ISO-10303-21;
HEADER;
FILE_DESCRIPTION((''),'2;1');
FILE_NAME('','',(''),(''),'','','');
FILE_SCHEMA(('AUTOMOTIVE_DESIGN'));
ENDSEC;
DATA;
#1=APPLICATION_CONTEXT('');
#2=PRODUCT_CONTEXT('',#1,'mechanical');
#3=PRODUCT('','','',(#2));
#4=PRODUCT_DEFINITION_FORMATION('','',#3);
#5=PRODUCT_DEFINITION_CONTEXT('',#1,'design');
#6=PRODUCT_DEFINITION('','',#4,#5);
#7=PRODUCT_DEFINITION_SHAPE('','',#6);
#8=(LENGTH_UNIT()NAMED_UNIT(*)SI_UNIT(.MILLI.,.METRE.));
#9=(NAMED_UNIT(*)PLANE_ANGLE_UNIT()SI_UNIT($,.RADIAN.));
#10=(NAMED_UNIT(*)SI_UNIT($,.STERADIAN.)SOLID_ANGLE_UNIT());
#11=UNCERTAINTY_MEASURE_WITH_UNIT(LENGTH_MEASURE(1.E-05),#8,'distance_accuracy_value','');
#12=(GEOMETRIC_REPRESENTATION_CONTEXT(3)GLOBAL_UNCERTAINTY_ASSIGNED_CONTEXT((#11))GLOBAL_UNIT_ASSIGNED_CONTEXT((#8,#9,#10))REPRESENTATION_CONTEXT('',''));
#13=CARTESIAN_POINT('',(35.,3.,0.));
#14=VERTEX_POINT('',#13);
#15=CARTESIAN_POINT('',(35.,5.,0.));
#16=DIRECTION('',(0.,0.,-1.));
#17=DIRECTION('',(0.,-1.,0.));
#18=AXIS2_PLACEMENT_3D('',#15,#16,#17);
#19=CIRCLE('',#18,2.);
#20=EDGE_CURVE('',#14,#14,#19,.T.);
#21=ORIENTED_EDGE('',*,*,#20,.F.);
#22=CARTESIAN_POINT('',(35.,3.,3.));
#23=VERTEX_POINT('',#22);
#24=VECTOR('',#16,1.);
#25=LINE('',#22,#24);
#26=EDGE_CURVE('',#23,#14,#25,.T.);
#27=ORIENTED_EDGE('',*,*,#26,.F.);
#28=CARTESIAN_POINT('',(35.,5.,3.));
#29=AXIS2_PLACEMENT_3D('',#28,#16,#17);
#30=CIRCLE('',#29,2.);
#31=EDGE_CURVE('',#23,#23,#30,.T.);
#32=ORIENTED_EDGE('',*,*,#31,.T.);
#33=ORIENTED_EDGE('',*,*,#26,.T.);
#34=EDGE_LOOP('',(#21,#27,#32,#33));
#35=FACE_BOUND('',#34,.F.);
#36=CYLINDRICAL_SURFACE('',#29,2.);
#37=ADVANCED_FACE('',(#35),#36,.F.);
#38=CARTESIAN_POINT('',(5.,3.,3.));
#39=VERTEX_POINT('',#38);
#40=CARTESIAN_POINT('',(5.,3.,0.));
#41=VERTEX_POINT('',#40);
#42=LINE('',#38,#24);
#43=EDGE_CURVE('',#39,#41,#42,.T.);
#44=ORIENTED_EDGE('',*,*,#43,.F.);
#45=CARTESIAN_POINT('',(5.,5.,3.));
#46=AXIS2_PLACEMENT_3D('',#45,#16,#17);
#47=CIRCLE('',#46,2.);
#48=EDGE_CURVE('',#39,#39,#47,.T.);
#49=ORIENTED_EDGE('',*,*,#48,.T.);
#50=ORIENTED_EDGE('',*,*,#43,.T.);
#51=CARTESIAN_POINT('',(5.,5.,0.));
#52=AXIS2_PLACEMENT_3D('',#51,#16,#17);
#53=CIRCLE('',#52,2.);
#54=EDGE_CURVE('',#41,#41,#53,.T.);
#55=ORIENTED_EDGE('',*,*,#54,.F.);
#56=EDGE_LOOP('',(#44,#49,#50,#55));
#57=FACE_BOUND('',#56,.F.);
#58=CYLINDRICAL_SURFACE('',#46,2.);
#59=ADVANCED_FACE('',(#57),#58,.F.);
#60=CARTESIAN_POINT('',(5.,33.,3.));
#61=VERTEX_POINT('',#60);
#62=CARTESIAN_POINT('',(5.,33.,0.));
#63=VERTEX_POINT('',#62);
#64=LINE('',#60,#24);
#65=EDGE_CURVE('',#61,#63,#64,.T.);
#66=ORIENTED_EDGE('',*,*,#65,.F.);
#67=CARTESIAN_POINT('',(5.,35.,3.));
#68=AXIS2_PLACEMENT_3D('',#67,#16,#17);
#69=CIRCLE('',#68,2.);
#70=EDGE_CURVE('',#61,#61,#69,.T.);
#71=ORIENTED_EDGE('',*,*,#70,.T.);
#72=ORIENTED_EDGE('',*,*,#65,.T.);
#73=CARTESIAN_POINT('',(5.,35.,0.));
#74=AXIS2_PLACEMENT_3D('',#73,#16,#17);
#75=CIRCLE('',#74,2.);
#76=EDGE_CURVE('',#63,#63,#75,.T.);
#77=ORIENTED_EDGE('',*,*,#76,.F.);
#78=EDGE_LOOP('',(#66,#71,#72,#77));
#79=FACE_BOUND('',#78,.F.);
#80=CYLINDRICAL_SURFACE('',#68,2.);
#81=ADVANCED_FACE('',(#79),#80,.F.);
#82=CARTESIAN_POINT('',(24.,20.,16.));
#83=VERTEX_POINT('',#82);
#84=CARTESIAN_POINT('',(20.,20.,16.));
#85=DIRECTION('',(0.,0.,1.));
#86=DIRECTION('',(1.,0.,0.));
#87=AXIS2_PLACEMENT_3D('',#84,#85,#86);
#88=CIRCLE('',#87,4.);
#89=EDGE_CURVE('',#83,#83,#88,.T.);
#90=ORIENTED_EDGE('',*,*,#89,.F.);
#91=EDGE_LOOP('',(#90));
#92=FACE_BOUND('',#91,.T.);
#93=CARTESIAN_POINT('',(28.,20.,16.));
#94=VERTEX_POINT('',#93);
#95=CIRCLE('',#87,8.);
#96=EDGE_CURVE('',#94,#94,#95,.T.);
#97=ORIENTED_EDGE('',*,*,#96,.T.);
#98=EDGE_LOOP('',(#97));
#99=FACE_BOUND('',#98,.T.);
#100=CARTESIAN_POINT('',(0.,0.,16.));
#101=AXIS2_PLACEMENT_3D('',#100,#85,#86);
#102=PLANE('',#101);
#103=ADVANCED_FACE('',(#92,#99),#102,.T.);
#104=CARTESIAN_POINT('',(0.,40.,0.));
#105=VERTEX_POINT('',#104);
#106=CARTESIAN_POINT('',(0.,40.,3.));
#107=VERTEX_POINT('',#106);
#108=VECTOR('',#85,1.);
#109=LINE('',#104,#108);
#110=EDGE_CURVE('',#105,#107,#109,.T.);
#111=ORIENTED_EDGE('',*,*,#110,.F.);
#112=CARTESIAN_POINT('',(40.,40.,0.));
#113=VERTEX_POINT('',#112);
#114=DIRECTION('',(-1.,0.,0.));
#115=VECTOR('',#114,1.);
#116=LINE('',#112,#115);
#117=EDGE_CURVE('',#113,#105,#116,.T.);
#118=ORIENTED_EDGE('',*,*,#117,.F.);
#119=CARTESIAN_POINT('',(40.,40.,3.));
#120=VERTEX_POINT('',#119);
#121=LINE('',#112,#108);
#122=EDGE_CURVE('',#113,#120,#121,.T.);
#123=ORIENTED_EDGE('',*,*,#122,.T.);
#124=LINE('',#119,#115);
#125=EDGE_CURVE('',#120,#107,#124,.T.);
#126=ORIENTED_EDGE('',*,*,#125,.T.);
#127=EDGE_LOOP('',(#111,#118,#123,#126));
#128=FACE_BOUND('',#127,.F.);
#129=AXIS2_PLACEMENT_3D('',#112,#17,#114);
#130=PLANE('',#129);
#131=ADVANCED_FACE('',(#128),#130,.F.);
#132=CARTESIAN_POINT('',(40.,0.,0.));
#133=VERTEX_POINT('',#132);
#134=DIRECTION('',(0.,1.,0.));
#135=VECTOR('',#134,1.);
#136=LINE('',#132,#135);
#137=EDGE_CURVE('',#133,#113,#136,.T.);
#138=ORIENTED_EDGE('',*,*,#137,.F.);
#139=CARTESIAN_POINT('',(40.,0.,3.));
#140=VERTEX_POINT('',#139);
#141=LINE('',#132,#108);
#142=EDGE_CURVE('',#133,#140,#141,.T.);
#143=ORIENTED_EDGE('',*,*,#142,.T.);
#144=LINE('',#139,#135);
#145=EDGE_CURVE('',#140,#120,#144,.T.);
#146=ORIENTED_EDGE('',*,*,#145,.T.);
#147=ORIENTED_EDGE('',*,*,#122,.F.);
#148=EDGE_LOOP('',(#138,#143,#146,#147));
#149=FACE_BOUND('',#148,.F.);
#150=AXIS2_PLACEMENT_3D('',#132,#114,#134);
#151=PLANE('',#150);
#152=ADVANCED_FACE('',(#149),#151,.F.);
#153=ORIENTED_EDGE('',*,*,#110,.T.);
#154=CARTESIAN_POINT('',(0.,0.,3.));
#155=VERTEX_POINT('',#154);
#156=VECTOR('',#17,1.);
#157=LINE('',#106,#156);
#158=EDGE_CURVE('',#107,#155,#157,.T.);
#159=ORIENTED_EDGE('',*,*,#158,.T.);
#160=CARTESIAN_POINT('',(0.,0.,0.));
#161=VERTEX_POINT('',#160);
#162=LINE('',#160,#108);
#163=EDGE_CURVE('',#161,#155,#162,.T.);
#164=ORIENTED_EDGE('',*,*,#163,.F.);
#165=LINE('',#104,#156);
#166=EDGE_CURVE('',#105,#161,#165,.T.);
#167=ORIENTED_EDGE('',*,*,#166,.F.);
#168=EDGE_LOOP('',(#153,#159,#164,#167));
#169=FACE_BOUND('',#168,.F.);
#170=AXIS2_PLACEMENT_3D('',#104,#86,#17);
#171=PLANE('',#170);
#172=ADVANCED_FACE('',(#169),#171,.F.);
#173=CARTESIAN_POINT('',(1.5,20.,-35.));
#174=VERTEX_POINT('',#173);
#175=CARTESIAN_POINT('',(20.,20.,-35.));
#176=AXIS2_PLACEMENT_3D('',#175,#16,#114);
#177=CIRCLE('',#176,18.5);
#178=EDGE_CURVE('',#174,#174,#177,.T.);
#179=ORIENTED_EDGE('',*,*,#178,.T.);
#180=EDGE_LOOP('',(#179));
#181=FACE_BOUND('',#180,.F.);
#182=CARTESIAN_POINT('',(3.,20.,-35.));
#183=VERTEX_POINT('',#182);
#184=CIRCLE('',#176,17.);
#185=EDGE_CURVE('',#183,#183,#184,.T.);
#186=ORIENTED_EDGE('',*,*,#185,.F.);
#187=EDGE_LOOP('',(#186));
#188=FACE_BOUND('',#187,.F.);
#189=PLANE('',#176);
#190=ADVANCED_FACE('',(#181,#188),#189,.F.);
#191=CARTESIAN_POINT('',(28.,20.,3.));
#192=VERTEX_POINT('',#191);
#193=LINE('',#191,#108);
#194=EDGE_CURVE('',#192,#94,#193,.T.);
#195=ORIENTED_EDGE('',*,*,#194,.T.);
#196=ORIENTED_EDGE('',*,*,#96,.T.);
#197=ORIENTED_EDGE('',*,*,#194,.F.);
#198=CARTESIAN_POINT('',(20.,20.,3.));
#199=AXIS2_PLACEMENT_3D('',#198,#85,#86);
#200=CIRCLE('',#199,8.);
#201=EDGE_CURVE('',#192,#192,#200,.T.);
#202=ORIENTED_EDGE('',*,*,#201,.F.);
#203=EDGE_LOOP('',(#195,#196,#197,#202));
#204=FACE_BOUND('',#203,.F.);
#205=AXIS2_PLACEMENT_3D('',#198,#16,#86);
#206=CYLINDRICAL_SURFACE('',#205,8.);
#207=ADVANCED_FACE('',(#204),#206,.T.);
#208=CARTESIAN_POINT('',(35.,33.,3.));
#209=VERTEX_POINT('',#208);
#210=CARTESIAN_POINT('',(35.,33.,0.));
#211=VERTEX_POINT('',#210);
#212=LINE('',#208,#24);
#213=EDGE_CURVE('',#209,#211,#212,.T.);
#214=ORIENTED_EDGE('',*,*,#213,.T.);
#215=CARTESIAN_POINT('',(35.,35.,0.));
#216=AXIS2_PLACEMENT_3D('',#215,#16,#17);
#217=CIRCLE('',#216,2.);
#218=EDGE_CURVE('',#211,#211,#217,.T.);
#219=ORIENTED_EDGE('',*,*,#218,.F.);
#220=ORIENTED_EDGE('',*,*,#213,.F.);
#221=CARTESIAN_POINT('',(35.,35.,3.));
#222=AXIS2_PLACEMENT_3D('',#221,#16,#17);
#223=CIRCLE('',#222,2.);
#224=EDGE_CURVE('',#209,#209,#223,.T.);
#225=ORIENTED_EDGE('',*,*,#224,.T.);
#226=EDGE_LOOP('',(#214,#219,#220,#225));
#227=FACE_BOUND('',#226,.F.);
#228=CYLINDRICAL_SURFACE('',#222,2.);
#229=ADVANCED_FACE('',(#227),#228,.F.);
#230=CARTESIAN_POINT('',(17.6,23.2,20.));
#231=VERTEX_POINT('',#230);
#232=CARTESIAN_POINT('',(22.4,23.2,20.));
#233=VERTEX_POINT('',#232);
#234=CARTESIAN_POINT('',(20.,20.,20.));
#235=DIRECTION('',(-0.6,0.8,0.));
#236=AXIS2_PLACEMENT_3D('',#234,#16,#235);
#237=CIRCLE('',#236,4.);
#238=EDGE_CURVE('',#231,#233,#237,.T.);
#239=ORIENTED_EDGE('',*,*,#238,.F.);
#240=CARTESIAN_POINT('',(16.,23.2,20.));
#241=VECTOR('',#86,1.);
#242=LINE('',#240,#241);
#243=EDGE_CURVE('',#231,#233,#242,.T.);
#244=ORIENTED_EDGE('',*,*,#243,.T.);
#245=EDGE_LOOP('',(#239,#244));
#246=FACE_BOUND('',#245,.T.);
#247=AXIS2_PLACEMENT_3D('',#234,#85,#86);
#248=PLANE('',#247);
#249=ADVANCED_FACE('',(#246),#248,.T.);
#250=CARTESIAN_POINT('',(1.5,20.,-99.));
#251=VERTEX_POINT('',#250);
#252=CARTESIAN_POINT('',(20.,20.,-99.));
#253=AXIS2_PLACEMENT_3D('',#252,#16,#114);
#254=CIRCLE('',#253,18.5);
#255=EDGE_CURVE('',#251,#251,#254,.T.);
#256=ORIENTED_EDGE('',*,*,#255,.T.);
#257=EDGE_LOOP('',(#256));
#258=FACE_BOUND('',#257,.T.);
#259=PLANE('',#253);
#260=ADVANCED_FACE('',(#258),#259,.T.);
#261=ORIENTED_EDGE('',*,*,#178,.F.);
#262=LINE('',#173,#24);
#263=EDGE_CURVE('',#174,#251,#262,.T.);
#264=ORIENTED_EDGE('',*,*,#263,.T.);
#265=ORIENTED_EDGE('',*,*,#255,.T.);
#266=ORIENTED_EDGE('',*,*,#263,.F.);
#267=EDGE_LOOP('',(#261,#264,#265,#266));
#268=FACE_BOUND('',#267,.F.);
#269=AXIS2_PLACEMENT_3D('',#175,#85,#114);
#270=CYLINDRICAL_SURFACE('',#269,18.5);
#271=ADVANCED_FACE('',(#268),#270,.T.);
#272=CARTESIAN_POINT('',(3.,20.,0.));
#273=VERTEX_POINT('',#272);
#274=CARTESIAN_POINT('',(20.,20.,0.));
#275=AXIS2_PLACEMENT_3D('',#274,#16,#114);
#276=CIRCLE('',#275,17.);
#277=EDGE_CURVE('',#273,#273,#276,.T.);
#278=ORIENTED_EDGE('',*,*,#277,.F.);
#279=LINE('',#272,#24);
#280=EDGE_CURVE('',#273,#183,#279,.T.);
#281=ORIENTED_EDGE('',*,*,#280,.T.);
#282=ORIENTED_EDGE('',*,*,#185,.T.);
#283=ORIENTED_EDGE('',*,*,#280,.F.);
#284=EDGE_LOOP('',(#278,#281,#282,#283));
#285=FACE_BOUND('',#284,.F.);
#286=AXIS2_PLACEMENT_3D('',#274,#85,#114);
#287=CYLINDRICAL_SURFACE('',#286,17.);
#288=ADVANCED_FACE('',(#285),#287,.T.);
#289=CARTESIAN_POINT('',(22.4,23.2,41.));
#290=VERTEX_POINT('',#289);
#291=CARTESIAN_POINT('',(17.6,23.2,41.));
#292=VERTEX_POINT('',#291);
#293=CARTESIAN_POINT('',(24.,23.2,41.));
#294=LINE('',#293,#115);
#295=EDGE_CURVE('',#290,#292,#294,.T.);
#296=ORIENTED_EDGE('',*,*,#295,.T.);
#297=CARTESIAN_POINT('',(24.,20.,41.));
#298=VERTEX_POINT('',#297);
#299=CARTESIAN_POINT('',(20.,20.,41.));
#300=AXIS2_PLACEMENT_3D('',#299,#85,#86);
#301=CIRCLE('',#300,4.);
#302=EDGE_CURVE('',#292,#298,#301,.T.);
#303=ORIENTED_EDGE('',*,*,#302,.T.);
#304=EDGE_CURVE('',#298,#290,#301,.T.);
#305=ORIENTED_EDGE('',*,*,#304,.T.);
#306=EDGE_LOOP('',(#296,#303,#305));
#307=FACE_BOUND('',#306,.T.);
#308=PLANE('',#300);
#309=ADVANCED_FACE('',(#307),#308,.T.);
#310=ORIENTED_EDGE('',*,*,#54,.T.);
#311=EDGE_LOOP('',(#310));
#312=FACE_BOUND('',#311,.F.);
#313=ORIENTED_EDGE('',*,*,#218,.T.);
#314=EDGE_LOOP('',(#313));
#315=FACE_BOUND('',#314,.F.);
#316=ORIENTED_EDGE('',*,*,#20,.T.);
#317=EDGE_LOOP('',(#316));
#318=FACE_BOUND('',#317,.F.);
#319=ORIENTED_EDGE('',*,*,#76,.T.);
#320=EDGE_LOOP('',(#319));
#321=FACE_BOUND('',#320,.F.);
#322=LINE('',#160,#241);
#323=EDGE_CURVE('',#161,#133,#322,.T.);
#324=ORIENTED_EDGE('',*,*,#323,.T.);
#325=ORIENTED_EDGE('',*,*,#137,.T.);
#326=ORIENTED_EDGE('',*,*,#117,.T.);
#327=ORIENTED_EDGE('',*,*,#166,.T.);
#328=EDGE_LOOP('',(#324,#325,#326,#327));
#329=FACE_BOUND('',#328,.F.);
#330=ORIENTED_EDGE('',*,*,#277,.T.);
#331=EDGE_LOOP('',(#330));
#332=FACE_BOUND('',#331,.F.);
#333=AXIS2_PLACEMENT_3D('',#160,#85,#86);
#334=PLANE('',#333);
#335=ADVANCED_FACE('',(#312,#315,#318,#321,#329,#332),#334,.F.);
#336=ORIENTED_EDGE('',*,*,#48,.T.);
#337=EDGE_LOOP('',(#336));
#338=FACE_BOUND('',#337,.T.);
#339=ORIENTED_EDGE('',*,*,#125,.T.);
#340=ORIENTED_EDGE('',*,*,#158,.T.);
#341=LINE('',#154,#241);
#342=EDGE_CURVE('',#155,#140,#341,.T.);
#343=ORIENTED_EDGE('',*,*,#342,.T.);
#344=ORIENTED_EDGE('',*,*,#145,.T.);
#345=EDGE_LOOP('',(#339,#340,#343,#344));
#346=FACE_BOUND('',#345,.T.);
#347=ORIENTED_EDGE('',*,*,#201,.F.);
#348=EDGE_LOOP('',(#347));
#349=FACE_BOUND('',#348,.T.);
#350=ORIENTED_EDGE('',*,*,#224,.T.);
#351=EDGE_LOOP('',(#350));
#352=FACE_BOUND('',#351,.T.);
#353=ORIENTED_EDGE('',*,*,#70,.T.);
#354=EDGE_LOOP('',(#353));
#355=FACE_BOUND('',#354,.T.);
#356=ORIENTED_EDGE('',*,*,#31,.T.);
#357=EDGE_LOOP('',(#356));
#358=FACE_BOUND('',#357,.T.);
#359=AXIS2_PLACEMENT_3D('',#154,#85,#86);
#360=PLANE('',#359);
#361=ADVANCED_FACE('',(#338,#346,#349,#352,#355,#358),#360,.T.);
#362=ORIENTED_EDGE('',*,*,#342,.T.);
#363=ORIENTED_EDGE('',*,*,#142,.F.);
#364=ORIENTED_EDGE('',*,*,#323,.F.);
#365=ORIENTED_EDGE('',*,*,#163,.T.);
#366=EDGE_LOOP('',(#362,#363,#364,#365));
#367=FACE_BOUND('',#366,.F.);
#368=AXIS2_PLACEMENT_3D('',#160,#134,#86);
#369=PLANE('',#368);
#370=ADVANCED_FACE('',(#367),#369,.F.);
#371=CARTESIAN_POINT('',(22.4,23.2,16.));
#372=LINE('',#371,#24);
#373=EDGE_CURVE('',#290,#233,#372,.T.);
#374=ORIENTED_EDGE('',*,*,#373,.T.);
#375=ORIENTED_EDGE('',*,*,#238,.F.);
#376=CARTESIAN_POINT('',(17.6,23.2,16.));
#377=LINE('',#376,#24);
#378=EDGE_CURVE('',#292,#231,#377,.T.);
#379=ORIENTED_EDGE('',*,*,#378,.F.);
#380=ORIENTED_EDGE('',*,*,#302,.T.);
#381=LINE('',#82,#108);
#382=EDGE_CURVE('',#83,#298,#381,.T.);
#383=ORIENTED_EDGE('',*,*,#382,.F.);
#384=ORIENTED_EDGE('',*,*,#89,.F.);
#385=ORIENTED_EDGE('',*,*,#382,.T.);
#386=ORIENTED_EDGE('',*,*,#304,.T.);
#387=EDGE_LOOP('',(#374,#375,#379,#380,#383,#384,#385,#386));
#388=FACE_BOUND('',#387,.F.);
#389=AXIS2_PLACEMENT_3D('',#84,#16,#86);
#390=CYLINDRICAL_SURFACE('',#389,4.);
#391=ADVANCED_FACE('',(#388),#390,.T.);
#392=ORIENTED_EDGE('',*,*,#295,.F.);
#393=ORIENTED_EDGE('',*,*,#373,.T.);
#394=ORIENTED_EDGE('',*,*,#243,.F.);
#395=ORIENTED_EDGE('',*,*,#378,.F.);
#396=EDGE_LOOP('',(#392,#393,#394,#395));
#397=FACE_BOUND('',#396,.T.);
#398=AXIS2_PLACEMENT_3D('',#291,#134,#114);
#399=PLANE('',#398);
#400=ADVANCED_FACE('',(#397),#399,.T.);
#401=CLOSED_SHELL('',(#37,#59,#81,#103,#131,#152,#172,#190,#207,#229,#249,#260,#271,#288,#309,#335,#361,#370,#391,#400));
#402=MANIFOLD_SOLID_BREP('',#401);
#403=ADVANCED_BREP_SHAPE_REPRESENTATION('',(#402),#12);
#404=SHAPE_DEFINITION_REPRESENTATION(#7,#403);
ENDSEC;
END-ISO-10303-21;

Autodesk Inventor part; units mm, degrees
ref_plane "YZ Plane" through (0, 0, 0) normal (1, 0, 0) x (0, 1, 0)
ref_plane "XZ Plane" through (0, 0, 0) normal (0, 1, 0) x (-1, 0, 0)
ref_plane "XY Plane" through (0, 0, 0) normal (0, 0, 1) x (1, 0, 0)
sketch "Sketch1" plane through (0, 0, 0) normal (0, 0, 1) x (1, 0, 0)
  line L0 (0, 0) -> (40, 0)
  line L1 (40, 0) -> (40, 40)
  line L2 (40, 40) -> (0, 40)
  line L3 (0, 40) -> (0, 0)
  dimension "d0" = 40
  dimension "d1" = 40
extrude "Extrusion1" add sketch "Sketch1" along normal blind 3
sketch "Sketch2" plane through (0, 0, 3) normal (0, 0, 1) x (1, 0, 0)
  line L0 (40, 0) -> (0, 0) projected
  line L1 (40, 40) -> (40, 0) projected
  line L2 (35, 5) -> (5, 5)
  line L3 (5, 5) -> (5, 35)
  line L4 (5, 35) -> (35, 35)
  line L5 (35, 35) -> (35, 5)
  circle A0 centre (20, 20) radius 8
  dimension "d4" = 30
  dimension "d5" = 30
  dimension "d6" = 5
  dimension "d7" = 5
  dimension "d8" = 16
extrude "Extrusion2" add sketch "Sketch2" along normal blind 13 contours A0
sketch "Sketch3" plane through (0, 0, 3) normal (0, 0, 1) x (1, 0, 0)
  line L0 (40, 0) -> (0, 0) projected
  line L1 (40, 40) -> (40, 0) projected
  line L2 (5, 5) -> (35, 5)
  line L3 (35, 5) -> (35, 35)
  line L4 (35, 35) -> (5, 35)
  line L5 (5, 35) -> (5, 5)
  dimension "d11" = 30
  dimension "d12" = 30
  dimension "d13" = 5
  dimension "d14" = 5
hole "Hole1" at (5, 5, 3) at (35, 5, 3) at (35, 35, 3) at (5, 35, 3) direction (0, 0, -1) diameter 4 end through all
sketch "Sketch4" plane through (20, 20, 16) normal (0, 0, 1) x (1, 0, 0)
  circle A0 centre (0, 0) radius 8 projected
  circle A1 centre (0, 0) radius 4
  point P0 (-20, -20)
  dimension "d22" = 8
extrude "Extrusion3" add sketch "Sketch4" along normal blind 25 contours A1
sketch "Sketch5" plane through (20, 20, 41) normal (0, 0, 1) x (1, 0, 0)
  circle A0 centre (0, 0) radius 4 projected
  line L0 (-4, 0) -> (4, 0)
  line L1 (4, 0) -> (4, 4)
  line L2 (4, 4) -> (-4, 4)
  line L3 (-4, 4) -> (-4, 0)
  line L4 (-4, 4) -> (4, 4)
  line L5 (4, 4) -> (4, 3.2)
  line L6 (4, 3.2) -> (-4, 3.2)
  line L7 (-4, 3.2) -> (-4, 4)
  point P0 (-20, -20)
  dimension "d25" = 0.8
extrude "Extrusion4" cut sketch "Sketch5" against normal blind 21 contours L6 L3 L2 A0 | A0 L6 | A0 L2 L1 L6
sketch "Sketch6" plane through (0, 0, 0) normal (0, 0, -1) x (-1, 0, 0)
  circle A0 centre (-20, 20) radius 17
  dimension "d28" = 34
extrude "Extrusion5" add sketch "Sketch6" along normal blind 35
sketch "Sketch7" plane through (20, 20, -35) normal (0, 0, -1) x (-1, 0, 0)
  circle A0 centre (0, 0) radius 17 projected
  circle A1 centre (0, 0) radius 18.5
  point P0 (20, -20)
  dimension "d31" = 37
extrude "Extrusion6" add sketch "Sketch7" along normal blind 64 contours A0 | A1
properties part number "mr85vel 3 etapas" material "UHMW, White"
